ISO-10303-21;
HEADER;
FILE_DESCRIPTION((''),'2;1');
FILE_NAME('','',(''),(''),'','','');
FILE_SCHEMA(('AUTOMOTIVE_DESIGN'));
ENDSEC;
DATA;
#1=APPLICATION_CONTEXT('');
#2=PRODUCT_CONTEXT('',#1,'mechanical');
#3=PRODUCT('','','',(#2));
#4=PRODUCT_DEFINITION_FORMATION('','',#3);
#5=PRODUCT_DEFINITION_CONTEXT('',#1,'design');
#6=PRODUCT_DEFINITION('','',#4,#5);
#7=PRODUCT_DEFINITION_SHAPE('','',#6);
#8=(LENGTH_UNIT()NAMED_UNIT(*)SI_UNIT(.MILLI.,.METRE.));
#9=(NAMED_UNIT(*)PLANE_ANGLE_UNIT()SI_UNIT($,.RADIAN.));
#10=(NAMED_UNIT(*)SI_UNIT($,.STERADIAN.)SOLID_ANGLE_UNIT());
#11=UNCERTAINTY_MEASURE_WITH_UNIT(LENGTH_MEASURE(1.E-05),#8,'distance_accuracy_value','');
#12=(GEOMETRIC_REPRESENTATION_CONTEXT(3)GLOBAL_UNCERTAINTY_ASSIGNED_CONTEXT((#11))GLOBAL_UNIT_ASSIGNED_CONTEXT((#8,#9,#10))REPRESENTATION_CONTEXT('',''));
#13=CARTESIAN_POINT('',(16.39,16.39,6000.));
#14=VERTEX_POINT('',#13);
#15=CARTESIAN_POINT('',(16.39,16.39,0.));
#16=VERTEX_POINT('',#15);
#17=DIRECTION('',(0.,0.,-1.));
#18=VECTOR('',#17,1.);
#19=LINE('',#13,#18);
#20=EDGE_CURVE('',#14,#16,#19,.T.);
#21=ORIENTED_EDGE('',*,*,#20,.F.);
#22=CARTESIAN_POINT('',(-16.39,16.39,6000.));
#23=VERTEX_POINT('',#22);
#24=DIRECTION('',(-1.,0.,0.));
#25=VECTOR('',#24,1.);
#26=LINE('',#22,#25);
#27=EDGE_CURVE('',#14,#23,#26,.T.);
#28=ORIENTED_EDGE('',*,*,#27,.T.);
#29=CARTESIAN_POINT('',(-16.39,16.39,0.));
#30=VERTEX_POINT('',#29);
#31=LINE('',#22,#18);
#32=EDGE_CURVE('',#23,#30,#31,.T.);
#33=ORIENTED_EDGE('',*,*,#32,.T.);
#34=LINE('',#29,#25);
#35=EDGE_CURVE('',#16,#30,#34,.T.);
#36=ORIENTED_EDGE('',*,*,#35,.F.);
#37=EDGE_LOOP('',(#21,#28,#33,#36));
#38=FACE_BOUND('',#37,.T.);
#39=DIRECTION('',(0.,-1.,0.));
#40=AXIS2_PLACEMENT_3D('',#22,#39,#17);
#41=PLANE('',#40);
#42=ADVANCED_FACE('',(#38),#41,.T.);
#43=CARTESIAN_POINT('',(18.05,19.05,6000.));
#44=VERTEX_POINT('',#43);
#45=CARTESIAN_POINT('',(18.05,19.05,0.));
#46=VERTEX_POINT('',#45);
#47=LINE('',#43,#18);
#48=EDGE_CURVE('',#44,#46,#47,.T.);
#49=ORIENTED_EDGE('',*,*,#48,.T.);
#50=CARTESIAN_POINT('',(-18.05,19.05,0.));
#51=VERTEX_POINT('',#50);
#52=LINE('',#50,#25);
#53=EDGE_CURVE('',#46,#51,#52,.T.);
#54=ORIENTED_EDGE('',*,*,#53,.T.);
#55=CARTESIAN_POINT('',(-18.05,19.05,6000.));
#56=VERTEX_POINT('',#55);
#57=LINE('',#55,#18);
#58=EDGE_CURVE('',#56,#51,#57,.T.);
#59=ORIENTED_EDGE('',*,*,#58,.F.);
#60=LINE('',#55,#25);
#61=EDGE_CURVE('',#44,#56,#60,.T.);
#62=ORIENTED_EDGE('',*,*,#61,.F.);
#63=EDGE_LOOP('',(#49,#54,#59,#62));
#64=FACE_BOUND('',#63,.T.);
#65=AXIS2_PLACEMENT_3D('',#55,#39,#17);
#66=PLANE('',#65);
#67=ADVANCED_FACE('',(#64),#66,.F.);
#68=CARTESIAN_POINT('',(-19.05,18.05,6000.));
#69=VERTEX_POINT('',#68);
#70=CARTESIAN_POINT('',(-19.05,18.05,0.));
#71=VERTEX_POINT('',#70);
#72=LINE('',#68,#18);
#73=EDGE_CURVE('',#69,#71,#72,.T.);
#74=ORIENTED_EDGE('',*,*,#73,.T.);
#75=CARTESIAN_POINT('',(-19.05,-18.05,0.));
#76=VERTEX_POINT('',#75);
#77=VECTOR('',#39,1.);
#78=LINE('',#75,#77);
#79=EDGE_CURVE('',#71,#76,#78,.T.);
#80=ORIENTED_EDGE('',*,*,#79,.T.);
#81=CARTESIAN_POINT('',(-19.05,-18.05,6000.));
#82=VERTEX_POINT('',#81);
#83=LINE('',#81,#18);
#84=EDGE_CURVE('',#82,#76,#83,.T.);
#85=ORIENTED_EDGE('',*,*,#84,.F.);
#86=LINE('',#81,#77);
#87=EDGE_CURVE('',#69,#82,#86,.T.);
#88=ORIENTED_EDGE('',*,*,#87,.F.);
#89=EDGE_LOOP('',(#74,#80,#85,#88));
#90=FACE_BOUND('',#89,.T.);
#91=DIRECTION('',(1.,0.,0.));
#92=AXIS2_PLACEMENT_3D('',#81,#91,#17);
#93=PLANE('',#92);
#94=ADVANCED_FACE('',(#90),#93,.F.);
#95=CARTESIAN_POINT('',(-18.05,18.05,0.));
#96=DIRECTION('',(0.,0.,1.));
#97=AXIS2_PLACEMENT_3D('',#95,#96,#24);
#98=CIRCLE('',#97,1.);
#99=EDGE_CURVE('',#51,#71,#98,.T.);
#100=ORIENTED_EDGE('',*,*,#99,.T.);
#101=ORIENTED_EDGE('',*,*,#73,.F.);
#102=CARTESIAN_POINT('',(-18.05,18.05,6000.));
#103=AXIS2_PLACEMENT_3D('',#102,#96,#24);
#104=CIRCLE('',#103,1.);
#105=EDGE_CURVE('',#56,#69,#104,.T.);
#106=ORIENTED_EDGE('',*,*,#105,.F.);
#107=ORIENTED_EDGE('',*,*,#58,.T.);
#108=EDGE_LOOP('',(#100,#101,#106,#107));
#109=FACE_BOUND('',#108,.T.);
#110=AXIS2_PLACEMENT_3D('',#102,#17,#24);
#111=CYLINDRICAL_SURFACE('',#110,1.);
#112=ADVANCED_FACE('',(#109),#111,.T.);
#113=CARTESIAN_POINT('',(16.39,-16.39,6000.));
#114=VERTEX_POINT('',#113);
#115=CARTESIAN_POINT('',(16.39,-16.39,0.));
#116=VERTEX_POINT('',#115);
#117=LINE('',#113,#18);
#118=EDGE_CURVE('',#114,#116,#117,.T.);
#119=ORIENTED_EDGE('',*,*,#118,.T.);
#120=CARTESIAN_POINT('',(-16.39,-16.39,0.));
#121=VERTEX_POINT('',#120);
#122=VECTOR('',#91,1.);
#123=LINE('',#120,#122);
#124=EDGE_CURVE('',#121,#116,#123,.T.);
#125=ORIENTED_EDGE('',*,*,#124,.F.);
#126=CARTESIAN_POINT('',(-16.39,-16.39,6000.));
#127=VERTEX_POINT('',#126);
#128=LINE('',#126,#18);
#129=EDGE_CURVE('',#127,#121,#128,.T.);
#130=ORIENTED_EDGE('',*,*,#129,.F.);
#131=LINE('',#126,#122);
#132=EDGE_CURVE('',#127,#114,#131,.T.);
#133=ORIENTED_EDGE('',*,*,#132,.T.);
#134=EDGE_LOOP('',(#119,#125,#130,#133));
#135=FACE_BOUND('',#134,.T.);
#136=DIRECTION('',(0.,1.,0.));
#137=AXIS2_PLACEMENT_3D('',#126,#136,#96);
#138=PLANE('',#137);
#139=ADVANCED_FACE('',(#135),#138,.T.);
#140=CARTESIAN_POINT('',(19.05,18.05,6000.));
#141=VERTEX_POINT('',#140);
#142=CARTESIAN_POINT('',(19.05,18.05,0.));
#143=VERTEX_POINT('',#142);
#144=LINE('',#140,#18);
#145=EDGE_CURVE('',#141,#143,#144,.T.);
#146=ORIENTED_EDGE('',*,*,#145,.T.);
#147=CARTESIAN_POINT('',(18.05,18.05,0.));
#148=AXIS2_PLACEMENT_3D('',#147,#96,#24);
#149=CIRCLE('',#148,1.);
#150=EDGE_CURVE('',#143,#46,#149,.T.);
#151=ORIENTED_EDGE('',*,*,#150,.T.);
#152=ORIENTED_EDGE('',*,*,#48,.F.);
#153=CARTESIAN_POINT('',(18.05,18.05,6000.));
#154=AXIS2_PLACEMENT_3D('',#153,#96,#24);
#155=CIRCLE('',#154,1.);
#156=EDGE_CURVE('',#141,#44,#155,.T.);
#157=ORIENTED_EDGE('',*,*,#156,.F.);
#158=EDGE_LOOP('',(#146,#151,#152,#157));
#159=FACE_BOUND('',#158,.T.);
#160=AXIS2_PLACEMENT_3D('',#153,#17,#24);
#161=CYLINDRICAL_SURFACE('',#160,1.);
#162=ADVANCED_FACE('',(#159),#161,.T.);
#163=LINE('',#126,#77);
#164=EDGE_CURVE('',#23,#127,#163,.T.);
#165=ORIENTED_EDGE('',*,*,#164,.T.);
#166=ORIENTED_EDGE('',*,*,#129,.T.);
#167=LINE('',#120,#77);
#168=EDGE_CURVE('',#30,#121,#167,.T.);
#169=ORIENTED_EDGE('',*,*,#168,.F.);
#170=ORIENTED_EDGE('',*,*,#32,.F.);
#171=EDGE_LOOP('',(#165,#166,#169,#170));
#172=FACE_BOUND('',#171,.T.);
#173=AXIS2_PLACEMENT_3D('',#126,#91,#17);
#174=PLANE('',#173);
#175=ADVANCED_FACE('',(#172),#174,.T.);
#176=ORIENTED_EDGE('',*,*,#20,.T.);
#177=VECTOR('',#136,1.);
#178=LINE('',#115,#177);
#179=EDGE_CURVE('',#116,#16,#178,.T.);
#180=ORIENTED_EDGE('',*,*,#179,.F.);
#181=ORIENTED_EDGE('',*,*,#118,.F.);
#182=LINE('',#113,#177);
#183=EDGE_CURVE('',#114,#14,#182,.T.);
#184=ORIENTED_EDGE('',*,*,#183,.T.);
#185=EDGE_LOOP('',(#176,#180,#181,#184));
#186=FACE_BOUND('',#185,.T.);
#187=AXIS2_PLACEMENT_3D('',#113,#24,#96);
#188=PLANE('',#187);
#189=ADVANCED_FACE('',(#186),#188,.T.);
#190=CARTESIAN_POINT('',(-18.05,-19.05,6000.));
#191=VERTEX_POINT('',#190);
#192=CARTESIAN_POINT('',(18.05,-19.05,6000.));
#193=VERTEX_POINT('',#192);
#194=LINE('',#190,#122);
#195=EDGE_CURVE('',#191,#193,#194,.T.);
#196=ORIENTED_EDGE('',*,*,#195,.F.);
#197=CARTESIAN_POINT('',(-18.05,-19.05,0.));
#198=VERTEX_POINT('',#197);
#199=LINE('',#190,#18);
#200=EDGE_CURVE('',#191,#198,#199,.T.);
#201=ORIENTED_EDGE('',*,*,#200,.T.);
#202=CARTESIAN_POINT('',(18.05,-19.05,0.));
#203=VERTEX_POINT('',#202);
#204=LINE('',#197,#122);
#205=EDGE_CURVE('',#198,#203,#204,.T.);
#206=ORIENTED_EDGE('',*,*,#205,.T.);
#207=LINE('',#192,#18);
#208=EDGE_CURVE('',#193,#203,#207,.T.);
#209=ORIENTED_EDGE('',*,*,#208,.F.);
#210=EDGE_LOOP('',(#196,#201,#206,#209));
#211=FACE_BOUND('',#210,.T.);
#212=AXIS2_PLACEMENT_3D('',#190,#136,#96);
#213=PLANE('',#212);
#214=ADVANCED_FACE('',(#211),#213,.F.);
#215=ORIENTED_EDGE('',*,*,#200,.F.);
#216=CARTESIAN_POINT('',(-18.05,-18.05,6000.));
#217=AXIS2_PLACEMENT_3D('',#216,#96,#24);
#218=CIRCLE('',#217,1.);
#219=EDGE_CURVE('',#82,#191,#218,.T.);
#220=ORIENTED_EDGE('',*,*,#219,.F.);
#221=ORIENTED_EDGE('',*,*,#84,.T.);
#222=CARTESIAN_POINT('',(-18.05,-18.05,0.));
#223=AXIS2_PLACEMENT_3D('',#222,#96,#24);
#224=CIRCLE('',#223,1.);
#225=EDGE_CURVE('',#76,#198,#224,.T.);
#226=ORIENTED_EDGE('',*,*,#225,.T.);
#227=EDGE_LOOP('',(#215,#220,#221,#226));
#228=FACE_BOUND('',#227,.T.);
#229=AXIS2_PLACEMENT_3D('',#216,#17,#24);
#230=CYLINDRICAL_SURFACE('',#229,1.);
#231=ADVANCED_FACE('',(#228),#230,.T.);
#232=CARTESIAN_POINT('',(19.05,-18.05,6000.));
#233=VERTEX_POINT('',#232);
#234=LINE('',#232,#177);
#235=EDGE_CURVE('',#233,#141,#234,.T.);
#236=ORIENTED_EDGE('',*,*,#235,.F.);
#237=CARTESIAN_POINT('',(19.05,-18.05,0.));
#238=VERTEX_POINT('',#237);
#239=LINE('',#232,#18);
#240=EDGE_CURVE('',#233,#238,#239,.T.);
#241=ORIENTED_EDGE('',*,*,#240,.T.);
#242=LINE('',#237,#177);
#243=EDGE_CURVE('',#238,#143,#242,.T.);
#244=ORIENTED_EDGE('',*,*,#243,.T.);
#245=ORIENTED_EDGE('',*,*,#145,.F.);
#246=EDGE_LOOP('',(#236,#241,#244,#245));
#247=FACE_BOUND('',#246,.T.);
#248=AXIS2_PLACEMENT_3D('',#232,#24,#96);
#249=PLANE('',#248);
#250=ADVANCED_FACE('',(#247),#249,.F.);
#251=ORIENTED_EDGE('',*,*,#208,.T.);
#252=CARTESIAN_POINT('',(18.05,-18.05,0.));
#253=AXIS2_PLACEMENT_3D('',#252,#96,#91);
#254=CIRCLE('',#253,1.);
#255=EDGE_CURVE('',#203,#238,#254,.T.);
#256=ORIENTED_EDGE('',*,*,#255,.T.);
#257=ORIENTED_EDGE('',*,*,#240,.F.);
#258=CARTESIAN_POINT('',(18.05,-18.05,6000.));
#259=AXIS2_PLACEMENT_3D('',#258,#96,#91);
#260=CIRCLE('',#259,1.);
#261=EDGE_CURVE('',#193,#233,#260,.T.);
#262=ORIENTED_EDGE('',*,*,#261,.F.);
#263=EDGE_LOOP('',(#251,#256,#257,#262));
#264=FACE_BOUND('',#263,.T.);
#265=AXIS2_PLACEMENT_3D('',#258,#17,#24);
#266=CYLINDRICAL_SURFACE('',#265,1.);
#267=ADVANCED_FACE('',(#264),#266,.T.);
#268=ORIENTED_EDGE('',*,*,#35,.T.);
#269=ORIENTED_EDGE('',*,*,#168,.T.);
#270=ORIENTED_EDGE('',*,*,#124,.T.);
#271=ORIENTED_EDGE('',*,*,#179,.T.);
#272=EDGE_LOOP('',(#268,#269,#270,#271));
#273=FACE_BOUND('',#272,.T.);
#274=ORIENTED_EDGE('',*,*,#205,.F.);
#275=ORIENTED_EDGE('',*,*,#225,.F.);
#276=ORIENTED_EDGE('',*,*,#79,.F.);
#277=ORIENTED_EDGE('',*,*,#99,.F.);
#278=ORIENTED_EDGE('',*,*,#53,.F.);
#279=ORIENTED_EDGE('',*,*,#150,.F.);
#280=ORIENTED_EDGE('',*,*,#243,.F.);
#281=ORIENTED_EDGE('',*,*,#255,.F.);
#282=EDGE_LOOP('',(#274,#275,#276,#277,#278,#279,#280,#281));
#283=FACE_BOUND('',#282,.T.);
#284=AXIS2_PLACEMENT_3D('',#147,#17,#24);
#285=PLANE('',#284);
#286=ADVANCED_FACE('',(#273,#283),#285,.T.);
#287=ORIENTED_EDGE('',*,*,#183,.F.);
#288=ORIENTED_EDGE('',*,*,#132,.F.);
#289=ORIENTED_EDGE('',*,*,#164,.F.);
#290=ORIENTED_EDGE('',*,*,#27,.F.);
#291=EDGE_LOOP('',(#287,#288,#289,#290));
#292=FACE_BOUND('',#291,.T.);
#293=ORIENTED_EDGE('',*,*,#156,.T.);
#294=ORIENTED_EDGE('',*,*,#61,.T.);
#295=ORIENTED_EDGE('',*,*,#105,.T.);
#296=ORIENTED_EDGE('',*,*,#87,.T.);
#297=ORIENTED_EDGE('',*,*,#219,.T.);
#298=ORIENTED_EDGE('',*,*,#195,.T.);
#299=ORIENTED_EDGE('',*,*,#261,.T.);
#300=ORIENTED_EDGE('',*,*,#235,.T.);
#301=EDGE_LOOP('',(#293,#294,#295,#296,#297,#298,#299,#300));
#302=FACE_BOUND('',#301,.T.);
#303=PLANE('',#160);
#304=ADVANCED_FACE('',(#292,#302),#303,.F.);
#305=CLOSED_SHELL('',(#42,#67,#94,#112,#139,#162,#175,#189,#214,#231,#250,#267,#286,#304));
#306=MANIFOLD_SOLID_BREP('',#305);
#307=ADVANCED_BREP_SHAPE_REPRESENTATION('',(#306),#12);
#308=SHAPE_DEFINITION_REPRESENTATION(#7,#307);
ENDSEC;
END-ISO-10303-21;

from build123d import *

# Parameters (mm, degrees)
CROQUIS1_W              = 32.78
CROQUIS1_H              = 32.78
SALIENTE_EXTRUIR1_DEPTH = 6000


with BuildPart() as part:
    # Croquis1 → Saliente-Extruir1 (new body)
    with BuildSketch(Plane.XY):
        with BuildLine():
            Line((-18.05, -19.05), (18.05, -19.05))
            ThreePointArc((18.05, -19.05), (18.757106781, -18.757106781), (19.05, -18.05))
            Line((19.05, -18.05), (19.05, 18.05))
            ThreePointArc((19.05, 18.05), (18.757106781, 18.757106781), (18.05, 19.05))
            Line((18.05, 19.05), (-18.05, 19.05))
            ThreePointArc((-18.05, 19.05), (-18.757106781, 18.757106781), (-19.05, 18.05))
            Line((-19.05, 18.05), (-19.05, -18.05))
            ThreePointArc((-19.05, -18.05), (-18.757106781, -18.757106781), (-18.05, -19.05))
        make_face()
        Rectangle(CROQUIS1_W, CROQUIS1_H, mode=Mode.SUBTRACT)
    extrude(amount=SALIENTE_EXTRUIR1_DEPTH)


solid = part.part
